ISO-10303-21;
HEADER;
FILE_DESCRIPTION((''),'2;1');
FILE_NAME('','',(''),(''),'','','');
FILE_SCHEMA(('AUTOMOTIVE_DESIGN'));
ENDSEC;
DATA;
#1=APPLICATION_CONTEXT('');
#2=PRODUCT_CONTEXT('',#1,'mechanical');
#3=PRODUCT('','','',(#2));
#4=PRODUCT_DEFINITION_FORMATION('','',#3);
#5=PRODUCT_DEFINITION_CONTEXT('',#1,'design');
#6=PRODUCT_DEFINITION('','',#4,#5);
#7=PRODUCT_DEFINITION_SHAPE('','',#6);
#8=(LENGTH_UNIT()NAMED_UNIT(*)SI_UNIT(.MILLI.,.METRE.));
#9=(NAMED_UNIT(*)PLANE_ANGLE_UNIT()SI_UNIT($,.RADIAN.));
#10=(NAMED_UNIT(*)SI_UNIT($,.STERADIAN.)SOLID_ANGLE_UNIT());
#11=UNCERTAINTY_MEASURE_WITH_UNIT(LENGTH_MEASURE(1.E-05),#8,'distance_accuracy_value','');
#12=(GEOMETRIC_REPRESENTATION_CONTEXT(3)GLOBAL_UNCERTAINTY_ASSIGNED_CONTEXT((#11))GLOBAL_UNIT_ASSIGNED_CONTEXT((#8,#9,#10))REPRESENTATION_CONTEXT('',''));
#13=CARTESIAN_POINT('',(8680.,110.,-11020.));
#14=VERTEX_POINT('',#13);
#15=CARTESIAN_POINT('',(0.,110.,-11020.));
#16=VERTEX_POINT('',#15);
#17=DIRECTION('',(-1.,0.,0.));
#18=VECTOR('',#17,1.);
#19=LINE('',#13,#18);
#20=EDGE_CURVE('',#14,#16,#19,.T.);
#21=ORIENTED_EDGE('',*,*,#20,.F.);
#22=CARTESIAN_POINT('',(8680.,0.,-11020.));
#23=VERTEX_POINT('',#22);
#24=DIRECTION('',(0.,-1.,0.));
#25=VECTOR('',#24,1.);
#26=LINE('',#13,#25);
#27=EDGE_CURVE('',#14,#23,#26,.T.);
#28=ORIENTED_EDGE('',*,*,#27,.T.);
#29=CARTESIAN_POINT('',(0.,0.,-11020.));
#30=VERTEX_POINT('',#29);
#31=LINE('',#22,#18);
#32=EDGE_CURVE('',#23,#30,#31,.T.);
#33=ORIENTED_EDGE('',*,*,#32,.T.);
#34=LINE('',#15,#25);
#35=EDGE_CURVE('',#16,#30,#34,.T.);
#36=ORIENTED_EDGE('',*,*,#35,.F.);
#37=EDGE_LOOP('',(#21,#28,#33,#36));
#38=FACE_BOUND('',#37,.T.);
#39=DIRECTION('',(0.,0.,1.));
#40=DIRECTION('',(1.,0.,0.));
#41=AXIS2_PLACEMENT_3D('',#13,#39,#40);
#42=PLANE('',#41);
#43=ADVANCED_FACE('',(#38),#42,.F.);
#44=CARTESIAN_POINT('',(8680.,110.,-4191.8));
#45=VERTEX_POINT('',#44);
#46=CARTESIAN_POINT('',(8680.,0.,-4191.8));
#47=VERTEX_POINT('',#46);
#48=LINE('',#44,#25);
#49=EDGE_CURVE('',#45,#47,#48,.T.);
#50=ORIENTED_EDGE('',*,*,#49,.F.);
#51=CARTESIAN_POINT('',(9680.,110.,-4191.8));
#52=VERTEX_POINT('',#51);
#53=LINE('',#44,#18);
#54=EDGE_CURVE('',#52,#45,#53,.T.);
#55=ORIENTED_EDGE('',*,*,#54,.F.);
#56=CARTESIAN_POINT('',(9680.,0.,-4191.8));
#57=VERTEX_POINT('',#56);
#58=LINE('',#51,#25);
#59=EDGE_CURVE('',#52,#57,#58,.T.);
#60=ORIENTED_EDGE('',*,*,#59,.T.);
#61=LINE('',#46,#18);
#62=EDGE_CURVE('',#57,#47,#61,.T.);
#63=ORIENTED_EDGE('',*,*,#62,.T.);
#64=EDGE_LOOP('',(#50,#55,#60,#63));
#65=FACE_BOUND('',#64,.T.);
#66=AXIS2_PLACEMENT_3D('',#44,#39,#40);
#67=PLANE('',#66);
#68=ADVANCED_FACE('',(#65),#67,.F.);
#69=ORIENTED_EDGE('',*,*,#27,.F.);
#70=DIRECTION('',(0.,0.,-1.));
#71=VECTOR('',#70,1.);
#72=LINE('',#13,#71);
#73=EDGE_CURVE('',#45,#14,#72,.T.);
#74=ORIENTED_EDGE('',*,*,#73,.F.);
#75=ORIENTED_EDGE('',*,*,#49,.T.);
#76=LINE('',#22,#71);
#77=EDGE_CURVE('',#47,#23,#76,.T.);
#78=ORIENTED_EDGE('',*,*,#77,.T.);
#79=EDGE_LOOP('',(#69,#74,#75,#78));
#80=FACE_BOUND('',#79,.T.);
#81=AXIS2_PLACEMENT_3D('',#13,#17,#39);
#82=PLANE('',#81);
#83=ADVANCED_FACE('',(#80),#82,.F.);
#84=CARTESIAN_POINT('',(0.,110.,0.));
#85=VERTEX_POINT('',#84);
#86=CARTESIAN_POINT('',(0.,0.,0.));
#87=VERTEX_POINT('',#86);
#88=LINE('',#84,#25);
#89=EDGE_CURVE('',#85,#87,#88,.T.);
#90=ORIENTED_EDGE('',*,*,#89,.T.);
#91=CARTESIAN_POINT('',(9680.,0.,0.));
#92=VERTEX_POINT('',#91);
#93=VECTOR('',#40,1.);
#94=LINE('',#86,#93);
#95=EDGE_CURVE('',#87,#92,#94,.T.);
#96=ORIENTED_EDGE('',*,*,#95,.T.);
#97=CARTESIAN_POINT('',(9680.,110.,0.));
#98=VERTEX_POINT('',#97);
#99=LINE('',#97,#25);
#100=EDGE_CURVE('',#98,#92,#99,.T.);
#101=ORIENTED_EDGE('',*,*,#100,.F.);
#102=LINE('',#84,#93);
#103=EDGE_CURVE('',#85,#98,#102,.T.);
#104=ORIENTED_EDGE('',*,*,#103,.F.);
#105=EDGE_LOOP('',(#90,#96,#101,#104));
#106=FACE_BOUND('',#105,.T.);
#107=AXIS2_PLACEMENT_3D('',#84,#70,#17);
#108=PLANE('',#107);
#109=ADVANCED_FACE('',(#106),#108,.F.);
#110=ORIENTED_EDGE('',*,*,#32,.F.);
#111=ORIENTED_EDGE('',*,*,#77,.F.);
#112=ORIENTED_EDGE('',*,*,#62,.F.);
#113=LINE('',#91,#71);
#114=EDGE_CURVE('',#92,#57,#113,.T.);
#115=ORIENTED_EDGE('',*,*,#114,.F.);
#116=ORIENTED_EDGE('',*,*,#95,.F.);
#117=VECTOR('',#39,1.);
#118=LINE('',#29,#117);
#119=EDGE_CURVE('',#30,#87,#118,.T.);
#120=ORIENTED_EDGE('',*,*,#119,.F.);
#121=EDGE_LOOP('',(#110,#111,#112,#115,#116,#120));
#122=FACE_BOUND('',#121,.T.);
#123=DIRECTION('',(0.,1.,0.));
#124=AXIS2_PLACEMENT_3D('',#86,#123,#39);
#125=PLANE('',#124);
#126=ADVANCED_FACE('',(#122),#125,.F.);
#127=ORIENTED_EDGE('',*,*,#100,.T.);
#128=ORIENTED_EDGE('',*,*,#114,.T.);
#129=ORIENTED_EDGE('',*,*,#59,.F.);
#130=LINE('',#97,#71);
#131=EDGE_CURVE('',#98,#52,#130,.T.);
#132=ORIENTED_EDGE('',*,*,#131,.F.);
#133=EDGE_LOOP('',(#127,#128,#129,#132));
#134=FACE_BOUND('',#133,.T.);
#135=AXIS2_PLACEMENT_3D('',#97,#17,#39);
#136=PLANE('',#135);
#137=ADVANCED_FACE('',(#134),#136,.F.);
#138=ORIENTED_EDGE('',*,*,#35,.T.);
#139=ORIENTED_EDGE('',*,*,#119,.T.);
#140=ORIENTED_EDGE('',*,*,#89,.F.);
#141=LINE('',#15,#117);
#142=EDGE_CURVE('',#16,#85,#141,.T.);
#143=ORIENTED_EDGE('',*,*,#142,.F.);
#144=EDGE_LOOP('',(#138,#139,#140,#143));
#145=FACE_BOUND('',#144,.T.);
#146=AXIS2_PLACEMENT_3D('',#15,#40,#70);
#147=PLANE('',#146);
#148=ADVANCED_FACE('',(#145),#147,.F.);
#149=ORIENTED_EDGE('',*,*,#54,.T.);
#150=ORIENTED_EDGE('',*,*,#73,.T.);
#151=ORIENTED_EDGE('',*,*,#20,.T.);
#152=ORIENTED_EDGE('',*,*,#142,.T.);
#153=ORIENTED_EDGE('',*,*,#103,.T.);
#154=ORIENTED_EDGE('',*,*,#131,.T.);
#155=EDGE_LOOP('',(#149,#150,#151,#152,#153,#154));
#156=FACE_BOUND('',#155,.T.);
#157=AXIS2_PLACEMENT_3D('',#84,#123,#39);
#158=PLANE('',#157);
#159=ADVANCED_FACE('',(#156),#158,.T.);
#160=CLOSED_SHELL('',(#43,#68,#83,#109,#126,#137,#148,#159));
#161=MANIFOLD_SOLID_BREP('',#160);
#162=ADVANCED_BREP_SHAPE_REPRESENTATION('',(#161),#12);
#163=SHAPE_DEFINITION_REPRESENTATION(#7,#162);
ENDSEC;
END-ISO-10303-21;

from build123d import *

# Parameters (mm, degrees)
BOSS_EXTRUDE3_DEPTH = 110


with BuildPart() as part:
    # Sketch1 → Boss-Extrude3 (new body)
    with BuildSketch(Plane(origin=(0, 0, 0), x_dir=(1, 0, 0), z_dir=(0, 1, 0))):
        Polygon((9680, 0), (9680, 4191.8), (8680, 4191.8), (8680, 11020), (0, 11020), (0, 0), align=None)
    extrude(amount=BOSS_EXTRUDE3_DEPTH)


solid = part.part
